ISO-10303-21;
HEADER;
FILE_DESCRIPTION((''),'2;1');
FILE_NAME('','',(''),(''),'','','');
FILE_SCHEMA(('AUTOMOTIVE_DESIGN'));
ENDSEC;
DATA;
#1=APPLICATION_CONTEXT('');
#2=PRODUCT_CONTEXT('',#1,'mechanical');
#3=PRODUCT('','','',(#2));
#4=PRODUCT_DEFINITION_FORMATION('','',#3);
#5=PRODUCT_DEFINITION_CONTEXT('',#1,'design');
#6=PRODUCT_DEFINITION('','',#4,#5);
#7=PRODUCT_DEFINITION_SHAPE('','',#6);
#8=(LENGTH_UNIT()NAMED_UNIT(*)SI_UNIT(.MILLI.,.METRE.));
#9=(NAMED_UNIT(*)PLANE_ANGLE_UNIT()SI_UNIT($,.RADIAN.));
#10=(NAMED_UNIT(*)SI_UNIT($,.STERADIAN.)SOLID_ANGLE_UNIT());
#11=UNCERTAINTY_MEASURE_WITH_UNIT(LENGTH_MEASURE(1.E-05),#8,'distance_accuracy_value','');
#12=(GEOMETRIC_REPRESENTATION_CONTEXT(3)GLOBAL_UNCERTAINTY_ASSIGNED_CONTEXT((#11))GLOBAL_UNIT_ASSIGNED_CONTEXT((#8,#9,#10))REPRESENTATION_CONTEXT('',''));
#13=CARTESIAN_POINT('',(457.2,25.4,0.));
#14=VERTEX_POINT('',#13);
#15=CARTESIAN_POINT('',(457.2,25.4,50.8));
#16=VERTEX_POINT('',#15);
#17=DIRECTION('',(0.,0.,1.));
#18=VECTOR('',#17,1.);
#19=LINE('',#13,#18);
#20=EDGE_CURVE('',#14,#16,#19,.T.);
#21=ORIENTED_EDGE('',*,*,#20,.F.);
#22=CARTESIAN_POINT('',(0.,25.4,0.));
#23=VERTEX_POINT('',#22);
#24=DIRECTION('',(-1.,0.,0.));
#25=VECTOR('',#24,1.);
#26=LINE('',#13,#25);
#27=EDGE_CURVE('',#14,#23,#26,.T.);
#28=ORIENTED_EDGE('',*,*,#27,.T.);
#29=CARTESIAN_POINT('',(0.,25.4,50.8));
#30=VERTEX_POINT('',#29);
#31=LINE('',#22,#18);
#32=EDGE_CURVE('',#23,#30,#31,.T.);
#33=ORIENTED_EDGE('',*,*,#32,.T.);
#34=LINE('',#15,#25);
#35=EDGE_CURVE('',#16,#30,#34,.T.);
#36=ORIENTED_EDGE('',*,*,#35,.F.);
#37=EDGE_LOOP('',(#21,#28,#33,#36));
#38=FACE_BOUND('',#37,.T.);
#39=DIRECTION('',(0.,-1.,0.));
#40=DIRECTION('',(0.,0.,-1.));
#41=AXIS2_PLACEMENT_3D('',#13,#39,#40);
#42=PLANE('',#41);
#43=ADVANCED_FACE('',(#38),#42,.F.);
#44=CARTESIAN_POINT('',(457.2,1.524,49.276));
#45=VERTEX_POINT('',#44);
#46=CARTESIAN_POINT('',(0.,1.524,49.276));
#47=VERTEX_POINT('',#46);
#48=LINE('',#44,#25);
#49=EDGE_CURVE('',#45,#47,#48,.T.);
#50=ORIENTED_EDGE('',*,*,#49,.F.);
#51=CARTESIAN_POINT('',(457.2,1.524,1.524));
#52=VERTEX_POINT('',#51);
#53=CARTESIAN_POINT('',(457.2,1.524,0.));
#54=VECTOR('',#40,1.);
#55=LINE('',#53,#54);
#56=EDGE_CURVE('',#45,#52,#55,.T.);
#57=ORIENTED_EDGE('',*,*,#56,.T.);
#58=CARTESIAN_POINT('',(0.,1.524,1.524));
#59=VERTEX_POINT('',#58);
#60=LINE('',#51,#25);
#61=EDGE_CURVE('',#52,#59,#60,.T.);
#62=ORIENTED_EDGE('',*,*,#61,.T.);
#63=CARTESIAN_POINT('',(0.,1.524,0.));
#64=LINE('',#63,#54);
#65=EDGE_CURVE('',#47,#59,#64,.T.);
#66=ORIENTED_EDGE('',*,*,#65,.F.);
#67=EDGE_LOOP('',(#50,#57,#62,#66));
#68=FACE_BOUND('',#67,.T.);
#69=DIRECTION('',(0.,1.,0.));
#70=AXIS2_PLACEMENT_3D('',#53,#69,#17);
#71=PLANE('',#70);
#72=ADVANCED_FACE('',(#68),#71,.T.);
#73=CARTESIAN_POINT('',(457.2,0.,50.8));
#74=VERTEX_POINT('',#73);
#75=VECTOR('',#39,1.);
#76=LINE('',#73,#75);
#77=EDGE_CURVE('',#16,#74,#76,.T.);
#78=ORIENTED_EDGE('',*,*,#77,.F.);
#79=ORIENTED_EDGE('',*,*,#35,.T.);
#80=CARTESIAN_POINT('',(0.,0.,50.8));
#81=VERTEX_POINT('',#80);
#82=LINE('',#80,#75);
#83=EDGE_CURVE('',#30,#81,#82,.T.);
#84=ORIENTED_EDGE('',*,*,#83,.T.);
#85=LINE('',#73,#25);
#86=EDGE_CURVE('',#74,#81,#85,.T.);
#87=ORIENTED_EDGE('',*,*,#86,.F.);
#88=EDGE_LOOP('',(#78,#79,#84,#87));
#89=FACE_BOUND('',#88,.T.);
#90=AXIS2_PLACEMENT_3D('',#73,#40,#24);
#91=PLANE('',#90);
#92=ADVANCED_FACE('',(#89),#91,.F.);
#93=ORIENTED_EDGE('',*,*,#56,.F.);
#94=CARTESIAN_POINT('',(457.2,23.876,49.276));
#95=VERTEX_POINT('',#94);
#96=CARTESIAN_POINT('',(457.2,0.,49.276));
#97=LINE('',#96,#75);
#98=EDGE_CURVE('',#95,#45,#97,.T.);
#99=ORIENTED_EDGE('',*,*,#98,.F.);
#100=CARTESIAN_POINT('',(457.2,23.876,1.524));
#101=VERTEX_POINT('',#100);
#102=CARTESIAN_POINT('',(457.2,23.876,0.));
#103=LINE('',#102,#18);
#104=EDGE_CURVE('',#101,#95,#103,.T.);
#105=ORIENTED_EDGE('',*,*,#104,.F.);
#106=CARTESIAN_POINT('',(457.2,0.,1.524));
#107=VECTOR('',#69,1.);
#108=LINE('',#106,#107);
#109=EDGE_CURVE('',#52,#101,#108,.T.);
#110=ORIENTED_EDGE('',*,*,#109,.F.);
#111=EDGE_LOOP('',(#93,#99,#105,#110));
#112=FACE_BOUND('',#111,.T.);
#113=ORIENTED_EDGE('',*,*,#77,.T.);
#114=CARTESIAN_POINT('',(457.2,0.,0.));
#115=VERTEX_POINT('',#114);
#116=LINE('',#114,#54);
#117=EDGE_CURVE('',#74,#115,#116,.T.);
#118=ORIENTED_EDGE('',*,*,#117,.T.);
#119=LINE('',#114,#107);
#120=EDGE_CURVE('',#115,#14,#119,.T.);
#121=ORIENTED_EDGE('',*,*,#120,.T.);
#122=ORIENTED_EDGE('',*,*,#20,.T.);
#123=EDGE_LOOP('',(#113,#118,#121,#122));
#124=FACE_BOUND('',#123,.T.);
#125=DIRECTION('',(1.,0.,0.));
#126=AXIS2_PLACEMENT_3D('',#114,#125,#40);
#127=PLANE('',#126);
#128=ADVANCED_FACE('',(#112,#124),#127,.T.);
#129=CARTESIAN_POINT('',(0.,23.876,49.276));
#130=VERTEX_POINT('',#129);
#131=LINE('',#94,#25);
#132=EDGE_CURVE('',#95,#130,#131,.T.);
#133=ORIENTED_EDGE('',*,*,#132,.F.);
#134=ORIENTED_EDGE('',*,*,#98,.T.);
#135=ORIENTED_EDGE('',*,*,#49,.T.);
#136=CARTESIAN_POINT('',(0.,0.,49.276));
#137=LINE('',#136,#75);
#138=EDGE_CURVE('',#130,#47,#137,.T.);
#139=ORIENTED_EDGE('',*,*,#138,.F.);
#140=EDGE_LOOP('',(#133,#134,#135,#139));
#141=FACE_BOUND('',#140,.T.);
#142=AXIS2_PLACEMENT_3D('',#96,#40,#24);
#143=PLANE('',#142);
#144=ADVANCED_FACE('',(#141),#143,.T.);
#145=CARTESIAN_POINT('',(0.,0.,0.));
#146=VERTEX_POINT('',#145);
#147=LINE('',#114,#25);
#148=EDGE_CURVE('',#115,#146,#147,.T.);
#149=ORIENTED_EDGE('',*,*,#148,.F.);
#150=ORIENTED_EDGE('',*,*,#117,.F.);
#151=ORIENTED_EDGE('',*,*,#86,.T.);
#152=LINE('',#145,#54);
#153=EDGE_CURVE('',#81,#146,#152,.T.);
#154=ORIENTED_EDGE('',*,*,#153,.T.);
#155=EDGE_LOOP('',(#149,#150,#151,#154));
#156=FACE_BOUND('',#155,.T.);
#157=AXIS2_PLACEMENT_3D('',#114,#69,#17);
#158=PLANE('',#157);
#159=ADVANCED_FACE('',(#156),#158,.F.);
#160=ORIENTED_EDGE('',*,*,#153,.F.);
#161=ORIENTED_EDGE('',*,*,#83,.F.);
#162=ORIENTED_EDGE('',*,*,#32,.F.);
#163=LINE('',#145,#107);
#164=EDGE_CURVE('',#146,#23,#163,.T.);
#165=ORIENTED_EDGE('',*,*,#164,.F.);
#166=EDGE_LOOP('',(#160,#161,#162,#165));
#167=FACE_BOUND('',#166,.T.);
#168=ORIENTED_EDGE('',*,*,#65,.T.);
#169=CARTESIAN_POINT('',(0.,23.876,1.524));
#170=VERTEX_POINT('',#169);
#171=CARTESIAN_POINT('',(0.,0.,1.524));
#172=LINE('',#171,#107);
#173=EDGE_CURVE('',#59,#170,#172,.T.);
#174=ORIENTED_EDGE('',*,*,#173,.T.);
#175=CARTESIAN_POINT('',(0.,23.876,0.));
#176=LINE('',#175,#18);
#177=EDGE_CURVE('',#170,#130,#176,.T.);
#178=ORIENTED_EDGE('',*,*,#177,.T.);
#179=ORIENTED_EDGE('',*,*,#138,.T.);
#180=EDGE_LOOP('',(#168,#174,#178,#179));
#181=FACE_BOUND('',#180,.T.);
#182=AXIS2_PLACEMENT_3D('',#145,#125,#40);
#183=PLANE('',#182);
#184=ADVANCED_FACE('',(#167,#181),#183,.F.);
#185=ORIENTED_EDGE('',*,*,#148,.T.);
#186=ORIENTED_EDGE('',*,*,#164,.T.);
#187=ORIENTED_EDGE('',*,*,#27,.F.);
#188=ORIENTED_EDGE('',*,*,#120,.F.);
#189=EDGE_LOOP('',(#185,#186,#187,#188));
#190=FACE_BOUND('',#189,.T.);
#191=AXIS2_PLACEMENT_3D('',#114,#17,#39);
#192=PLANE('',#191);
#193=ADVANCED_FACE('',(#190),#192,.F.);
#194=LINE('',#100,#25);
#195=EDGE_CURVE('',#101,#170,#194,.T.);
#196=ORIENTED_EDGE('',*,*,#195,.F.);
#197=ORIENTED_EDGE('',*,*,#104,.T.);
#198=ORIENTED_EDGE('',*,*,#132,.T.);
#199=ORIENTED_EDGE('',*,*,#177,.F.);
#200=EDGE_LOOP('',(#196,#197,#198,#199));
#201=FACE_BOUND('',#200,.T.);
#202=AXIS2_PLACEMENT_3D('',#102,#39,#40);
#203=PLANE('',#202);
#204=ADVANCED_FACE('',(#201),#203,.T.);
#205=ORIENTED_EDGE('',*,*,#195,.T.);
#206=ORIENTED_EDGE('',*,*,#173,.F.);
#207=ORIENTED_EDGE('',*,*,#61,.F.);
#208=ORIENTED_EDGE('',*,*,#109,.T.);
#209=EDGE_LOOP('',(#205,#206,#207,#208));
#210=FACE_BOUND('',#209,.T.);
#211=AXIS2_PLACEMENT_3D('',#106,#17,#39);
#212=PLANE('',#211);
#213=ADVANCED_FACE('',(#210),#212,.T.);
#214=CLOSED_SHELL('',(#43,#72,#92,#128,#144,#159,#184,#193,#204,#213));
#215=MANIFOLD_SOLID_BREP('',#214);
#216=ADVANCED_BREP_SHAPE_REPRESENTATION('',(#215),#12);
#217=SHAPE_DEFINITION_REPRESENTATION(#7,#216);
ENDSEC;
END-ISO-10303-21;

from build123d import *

# Parameters (mm, degrees)
SKETCH2_W           = 50.8
SKETCH2_H           = 25.4
SKETCH2_W_2         = 47.752
SKETCH2_H_2         = 22.352
EXTRUDE_THIN1_DEPTH = 457.2


with BuildPart() as part:
    # Sketch2 → Extrude-Thin1 (new body)
    with BuildSketch(Plane(origin=(0, 0, 0), x_dir=(0, 0, -1), z_dir=(1, 0, 0))):
        with Locations((-25.4, 12.7)):
            Rectangle(SKETCH2_W, SKETCH2_H)
        with Locations((-25.4, 12.7)):
            Rectangle(SKETCH2_W_2, SKETCH2_H_2, mode=Mode.SUBTRACT)
    extrude(amount=EXTRUDE_THIN1_DEPTH)


solid = part.part
